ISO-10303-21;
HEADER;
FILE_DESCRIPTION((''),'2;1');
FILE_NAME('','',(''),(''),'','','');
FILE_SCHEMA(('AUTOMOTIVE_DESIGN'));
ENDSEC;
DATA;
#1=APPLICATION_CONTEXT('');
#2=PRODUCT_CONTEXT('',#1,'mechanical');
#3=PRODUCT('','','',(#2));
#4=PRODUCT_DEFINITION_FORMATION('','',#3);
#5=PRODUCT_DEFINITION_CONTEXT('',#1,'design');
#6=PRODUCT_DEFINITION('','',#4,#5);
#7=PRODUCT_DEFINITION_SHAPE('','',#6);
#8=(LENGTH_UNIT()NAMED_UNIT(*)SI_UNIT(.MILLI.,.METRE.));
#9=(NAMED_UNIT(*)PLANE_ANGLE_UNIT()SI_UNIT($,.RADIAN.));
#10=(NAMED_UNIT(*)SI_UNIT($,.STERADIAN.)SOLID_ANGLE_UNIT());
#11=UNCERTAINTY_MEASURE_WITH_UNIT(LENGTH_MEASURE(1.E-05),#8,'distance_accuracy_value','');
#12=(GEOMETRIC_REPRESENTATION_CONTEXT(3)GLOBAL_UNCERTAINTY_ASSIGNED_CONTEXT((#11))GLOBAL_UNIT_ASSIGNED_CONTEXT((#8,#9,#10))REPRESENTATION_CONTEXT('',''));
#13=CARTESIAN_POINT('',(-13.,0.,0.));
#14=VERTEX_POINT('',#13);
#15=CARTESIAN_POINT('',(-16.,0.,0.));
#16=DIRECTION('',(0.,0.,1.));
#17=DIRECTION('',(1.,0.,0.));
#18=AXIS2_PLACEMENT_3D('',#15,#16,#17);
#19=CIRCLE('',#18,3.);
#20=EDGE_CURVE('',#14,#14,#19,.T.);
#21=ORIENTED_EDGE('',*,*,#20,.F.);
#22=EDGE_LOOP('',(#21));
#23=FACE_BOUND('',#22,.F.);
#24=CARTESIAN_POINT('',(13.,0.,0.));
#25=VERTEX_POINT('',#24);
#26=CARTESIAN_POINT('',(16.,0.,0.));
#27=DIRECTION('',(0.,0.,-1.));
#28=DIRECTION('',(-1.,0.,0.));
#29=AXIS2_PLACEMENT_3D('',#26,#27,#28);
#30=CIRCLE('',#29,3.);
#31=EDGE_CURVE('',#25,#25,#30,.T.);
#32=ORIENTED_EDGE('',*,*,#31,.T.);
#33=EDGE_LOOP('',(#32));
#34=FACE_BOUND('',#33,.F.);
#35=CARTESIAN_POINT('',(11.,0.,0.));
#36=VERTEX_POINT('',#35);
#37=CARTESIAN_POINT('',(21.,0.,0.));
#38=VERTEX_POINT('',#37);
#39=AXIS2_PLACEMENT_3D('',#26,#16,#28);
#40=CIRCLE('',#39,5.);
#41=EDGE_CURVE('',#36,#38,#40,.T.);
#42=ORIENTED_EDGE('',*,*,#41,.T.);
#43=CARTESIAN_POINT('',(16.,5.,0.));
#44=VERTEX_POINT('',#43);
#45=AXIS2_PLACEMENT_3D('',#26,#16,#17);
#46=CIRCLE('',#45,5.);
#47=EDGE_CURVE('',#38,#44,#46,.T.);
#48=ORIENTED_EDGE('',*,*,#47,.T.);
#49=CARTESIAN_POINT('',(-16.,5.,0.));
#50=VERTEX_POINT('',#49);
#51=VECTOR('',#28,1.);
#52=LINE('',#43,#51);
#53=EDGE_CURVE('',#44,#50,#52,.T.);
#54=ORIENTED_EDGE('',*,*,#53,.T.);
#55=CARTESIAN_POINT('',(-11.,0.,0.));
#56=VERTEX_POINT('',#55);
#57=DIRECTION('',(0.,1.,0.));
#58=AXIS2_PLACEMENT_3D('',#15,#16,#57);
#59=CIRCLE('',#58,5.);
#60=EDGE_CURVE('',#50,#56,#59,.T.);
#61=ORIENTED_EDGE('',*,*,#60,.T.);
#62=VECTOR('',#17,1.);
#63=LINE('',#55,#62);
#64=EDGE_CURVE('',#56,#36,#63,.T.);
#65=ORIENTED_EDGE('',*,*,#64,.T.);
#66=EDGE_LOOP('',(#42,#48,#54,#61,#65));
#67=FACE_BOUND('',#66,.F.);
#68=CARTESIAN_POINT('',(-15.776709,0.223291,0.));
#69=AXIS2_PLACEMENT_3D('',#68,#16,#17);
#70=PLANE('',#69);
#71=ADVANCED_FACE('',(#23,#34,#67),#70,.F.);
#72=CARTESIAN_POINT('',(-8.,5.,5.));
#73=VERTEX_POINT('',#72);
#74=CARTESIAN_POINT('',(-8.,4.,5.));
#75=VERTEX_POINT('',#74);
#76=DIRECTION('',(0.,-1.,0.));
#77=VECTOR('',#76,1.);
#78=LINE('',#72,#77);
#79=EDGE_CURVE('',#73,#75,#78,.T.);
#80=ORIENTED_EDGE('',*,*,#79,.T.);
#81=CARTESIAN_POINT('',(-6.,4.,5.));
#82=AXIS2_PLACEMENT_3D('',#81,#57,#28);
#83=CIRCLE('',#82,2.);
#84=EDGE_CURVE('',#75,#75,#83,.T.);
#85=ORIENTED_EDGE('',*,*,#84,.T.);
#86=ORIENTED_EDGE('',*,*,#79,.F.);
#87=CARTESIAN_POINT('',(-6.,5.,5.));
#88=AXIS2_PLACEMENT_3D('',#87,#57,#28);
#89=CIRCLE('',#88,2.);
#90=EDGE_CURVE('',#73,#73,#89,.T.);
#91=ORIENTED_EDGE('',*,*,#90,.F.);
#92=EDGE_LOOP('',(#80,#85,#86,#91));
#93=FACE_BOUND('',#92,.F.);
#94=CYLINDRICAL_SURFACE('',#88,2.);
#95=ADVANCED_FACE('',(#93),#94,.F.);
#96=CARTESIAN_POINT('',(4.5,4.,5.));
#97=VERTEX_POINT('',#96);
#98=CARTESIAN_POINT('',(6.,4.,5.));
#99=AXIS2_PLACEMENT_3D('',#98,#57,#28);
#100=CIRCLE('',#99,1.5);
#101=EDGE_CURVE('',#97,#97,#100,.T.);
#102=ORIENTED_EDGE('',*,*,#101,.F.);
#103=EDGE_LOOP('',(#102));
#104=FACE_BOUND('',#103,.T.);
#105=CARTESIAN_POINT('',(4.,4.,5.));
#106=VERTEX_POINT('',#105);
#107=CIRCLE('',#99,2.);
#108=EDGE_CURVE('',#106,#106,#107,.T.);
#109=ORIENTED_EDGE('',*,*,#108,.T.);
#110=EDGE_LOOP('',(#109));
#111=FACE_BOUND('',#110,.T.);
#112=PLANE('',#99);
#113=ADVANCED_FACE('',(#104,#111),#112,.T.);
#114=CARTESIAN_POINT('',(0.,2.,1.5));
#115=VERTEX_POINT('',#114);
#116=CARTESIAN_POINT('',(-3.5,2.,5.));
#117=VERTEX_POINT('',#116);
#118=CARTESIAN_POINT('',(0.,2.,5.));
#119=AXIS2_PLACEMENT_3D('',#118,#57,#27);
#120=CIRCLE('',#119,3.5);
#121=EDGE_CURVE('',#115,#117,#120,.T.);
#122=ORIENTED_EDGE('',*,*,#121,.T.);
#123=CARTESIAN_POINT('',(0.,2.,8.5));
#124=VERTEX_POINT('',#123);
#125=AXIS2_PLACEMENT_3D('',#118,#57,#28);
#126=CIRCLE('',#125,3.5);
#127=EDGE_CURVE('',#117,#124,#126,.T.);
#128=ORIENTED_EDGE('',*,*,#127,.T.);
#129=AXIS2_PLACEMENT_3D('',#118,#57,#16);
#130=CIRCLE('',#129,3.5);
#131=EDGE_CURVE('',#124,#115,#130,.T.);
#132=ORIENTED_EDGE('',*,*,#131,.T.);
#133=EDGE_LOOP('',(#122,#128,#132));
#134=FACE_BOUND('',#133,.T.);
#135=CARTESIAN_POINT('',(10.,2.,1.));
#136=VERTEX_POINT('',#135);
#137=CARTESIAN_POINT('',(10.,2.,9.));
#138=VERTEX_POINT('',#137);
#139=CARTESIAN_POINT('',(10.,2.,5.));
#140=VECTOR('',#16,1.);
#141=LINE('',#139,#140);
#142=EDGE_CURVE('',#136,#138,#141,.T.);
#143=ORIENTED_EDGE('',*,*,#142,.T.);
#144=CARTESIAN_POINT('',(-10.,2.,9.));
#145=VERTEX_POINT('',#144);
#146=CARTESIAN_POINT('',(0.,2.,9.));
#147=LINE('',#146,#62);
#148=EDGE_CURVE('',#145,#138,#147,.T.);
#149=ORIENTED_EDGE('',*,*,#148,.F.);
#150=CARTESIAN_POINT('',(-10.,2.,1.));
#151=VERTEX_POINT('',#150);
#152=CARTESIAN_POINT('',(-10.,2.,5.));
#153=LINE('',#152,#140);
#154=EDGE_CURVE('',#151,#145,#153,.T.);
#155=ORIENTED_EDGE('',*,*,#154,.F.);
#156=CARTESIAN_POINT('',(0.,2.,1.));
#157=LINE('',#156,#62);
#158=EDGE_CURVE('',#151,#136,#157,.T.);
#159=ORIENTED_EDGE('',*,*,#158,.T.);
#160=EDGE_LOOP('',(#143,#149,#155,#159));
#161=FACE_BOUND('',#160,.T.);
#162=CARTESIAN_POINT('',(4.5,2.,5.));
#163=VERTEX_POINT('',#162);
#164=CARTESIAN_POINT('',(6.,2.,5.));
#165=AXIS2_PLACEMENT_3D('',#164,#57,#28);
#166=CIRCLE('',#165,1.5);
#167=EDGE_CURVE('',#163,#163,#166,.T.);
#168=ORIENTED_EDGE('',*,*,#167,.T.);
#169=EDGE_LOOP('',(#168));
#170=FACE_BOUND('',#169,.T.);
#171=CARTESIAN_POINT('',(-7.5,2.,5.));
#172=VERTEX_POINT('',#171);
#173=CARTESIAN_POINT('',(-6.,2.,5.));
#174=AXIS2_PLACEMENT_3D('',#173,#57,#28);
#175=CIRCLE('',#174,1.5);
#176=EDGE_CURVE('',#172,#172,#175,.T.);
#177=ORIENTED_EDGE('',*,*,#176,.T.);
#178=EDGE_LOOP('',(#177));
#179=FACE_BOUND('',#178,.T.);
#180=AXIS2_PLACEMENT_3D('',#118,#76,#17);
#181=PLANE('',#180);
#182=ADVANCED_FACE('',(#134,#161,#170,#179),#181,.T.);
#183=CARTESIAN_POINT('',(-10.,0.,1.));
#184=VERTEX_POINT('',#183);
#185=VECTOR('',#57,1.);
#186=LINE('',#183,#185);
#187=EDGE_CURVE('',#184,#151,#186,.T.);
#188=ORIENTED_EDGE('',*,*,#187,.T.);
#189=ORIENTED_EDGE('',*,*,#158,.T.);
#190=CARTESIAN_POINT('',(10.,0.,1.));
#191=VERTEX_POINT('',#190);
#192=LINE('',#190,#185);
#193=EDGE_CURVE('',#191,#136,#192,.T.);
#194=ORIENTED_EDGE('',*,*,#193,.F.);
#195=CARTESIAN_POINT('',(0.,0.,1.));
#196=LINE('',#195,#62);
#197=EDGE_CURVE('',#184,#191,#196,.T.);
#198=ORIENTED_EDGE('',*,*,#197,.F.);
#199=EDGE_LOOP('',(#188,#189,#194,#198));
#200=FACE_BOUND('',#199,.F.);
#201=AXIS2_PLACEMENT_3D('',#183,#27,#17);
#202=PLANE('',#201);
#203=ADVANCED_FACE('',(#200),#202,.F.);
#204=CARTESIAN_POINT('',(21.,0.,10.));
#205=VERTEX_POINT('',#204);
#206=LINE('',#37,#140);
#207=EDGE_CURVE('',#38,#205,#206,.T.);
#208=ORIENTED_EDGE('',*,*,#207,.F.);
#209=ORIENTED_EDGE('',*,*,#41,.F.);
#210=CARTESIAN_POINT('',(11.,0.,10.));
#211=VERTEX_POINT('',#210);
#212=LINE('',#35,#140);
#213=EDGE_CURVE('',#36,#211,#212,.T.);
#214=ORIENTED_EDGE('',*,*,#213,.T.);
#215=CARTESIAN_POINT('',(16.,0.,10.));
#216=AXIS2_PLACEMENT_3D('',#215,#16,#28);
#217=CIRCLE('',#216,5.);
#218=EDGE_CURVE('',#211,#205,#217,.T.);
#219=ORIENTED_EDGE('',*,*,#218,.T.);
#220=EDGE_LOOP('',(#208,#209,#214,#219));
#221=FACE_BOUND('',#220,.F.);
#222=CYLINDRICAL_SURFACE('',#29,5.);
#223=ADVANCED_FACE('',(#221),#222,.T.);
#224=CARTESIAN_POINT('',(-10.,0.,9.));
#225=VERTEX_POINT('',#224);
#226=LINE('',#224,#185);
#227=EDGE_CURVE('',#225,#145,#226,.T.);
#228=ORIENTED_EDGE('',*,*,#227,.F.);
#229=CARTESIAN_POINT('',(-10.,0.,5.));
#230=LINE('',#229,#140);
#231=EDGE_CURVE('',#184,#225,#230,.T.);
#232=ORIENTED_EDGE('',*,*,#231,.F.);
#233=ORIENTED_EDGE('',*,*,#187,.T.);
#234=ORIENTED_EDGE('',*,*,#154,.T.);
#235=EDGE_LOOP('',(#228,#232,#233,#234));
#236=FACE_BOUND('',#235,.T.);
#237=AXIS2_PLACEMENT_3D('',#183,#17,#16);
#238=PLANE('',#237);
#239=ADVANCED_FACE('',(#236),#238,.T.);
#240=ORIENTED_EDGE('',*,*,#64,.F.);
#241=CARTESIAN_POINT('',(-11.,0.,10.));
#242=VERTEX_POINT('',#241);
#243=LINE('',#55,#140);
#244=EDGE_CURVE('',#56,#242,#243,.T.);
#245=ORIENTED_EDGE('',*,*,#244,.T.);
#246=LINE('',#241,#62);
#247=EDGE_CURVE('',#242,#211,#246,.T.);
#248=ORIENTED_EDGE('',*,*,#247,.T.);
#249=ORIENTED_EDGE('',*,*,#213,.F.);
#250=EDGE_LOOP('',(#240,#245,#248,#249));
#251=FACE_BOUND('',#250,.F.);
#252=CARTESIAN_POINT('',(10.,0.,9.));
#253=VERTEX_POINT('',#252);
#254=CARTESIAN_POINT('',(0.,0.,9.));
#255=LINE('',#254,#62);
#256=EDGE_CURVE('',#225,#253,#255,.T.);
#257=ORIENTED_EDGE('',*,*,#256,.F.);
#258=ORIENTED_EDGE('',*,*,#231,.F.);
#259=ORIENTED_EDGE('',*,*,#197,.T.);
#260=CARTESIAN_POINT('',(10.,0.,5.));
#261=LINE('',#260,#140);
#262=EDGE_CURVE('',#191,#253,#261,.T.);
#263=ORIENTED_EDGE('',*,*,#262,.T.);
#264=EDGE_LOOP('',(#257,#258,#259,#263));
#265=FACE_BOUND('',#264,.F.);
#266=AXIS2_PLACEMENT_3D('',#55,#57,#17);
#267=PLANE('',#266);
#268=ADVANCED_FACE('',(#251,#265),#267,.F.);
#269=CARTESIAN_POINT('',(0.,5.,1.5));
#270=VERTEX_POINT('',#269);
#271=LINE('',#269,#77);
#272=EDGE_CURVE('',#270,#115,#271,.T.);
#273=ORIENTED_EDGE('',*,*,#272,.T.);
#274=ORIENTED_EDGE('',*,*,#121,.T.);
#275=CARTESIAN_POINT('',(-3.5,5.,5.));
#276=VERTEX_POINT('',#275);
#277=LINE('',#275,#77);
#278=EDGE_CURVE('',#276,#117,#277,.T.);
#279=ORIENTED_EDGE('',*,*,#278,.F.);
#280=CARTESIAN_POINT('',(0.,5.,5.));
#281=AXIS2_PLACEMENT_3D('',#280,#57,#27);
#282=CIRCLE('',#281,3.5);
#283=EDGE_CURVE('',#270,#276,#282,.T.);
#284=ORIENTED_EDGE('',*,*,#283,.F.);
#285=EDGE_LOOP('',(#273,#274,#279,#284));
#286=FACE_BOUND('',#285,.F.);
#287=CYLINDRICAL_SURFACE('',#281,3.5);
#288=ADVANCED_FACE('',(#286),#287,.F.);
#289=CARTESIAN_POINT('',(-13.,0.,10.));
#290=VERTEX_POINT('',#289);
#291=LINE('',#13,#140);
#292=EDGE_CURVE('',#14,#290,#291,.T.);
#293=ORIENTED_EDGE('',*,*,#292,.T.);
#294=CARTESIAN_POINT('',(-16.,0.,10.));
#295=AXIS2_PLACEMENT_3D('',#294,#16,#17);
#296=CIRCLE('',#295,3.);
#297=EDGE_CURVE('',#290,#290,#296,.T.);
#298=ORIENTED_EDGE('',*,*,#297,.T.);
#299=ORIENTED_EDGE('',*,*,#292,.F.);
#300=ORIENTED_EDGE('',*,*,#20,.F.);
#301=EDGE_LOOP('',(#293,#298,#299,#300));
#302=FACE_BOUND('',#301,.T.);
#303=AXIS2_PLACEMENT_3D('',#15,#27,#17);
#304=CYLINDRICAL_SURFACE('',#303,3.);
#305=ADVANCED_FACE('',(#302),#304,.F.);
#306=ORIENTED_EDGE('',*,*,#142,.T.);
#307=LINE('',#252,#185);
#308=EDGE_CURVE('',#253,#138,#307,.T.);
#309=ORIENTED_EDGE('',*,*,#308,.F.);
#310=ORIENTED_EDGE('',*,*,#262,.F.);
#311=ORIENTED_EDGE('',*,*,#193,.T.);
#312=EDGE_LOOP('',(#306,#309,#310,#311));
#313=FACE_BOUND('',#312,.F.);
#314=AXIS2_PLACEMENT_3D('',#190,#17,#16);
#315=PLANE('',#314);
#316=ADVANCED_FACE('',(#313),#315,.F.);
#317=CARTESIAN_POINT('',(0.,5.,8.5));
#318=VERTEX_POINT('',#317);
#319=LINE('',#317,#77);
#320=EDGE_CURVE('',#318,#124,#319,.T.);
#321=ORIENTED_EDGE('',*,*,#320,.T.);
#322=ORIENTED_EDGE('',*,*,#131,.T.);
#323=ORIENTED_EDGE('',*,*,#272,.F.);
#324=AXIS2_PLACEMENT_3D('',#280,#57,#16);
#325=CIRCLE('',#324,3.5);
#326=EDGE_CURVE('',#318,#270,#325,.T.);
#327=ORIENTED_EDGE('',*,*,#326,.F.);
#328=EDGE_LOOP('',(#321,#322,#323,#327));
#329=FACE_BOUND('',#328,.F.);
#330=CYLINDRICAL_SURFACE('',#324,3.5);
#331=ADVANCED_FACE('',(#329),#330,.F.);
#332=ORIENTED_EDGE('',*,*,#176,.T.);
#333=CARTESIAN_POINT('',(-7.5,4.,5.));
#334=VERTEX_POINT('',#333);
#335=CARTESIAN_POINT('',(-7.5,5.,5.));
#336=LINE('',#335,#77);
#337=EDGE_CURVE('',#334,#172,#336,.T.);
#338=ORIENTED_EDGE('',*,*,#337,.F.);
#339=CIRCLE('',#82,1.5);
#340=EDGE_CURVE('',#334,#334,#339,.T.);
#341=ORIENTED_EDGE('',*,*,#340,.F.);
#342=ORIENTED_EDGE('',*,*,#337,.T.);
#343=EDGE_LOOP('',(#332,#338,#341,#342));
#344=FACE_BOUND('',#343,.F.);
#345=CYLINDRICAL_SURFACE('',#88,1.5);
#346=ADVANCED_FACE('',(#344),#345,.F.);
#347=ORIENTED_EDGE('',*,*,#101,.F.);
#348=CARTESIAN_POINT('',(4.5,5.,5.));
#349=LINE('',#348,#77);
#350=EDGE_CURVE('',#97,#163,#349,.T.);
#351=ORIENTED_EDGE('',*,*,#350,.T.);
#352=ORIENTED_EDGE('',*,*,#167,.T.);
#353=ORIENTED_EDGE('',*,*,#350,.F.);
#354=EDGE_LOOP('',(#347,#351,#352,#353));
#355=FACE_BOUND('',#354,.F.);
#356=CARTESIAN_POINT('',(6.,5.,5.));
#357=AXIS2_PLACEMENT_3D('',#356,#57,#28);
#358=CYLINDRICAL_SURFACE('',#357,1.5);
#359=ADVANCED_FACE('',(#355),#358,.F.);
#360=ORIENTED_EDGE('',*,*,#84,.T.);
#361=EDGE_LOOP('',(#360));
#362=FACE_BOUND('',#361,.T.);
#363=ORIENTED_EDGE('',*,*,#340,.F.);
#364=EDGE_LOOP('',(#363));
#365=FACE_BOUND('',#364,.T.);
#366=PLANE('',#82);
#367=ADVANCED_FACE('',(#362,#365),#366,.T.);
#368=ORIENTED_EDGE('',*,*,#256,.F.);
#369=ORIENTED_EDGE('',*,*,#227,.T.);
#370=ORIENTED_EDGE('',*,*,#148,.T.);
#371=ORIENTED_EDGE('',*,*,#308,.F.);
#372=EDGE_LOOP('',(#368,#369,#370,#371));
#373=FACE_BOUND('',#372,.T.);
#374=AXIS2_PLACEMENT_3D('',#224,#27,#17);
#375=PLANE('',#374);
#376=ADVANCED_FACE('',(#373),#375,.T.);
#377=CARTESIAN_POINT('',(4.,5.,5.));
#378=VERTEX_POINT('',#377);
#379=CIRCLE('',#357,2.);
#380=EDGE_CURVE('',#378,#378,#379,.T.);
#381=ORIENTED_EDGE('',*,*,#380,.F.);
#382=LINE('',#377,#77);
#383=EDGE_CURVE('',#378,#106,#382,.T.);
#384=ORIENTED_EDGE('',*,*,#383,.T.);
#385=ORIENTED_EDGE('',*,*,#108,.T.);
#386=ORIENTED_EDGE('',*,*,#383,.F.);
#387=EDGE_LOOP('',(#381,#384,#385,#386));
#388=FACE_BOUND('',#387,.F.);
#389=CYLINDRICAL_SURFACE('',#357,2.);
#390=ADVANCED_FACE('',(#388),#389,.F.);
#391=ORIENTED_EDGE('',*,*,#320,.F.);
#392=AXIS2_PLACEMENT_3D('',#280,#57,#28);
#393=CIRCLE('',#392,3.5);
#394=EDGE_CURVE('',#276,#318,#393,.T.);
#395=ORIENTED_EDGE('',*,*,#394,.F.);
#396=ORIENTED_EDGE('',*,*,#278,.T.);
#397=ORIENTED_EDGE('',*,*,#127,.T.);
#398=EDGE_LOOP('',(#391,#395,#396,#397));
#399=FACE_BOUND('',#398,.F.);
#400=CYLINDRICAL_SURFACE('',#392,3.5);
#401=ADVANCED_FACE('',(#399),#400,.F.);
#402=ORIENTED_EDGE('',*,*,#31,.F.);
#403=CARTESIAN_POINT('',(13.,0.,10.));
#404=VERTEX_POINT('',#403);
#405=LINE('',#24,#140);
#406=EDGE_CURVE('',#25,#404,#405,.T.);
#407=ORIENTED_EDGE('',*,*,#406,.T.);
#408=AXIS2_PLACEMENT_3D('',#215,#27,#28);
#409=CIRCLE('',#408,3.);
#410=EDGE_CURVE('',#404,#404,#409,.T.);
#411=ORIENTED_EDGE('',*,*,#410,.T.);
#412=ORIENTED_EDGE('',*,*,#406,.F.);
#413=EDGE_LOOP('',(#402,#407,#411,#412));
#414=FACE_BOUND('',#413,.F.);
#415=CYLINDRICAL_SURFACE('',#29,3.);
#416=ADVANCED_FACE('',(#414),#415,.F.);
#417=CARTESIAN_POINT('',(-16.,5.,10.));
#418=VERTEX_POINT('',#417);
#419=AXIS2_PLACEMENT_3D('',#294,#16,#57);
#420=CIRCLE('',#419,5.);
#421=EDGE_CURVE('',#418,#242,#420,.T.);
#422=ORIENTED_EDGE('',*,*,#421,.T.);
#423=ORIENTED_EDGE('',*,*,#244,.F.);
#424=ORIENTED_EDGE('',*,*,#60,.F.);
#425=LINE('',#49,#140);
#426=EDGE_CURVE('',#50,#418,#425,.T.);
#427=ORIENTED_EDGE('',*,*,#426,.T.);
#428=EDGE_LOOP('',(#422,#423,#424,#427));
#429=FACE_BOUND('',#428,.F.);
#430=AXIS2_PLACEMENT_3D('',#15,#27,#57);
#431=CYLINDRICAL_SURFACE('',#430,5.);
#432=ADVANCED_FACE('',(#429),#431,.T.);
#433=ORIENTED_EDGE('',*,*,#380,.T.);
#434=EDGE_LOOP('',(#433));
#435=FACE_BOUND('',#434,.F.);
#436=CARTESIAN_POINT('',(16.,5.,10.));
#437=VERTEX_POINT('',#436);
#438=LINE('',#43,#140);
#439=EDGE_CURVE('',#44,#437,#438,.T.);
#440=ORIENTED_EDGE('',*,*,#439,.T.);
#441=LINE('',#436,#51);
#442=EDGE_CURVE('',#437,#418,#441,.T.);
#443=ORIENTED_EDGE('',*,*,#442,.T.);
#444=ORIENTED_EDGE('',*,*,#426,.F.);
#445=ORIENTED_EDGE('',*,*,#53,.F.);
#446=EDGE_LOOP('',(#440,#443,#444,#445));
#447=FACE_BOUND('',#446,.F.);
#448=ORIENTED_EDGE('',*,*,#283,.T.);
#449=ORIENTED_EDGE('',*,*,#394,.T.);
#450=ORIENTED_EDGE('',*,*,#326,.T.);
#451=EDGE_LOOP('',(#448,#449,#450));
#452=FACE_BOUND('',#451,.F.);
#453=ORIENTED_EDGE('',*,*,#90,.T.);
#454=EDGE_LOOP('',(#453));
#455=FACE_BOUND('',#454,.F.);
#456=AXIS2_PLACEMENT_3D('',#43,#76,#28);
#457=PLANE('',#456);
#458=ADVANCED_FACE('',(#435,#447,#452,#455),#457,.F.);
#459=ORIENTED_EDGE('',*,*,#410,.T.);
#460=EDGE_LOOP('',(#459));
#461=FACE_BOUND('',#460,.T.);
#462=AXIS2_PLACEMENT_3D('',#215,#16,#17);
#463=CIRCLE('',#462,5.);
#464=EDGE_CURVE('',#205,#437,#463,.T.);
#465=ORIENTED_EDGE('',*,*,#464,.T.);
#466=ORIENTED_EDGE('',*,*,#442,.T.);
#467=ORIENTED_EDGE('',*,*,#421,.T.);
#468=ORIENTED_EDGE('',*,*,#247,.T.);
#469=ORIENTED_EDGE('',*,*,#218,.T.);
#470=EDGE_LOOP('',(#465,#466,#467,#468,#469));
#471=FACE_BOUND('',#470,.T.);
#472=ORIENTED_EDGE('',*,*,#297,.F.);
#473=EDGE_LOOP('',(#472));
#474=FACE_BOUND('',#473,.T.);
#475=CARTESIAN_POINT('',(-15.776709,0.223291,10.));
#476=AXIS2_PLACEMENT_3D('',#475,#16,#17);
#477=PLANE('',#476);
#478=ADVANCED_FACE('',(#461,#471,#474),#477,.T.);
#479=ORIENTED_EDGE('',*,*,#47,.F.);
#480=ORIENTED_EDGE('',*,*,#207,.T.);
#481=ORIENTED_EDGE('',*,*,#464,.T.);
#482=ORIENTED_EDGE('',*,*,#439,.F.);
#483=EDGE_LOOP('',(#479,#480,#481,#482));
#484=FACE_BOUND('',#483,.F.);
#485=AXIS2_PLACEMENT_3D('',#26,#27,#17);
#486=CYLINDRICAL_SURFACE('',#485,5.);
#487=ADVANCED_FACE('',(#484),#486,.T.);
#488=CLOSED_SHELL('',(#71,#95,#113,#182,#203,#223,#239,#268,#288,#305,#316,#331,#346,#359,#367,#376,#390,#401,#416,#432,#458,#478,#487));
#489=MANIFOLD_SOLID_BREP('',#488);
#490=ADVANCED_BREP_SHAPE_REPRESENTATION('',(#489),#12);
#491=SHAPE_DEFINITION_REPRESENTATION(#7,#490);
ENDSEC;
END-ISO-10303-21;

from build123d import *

# Parameters (mm, degrees)
F0_R     = 3
F1_DEPTH = 10
F2_W     = 20
F2_H     = 8
F3_DEPTH = 2
F4_R     = 1.5
F5_DEPTH = 5
F6_R     = 2
F7_DEPTH = 1


with BuildPart() as f1:
    # F0 (on Top) → F1 (new body)
    with BuildSketch(Plane.XY):
        with BuildLine():
            ThreePointArc((-16, 5), (-19.5355339059, -3.5355339059), (-11, 0))
            ThreePointArc((-11, 0), (-12.4644660941, 3.5355339059), (-16, 5))
        make_face()
        with Locations((-16, 0)):
            Circle(F0_R, mode=Mode.SUBTRACT)
        with BuildLine():
            ThreePointArc((-16, 5), (-12.4644660941, 3.5355339059), (-11, 0))
            Line((-11, 0), (11, 0))
            ThreePointArc((11, 0), (12.4644660941, 3.5355339059), (16, 5))
            Line((16, 5), (-16, 5))
        make_face()
        with BuildLine():
            ThreePointArc((16, 5), (12.4644660941, 3.5355339059), (11, 0))
            ThreePointArc((11, 0), (16, -5), (21, 0))
            ThreePointArc((21, 0), (19.5355339059, 3.5355339059), (16, 5))
        make_face()
        with BuildLine():
            ThreePointArc((19, 0), (16, -3), (13, 0))
            ThreePointArc((13, 0), (16, 3), (19, 0))
        make_face(mode=Mode.SUBTRACT)
    extrude(amount=F1_DEPTH)

    # F2 (on face) → F3 (cut)
    with BuildSketch(Plane.XZ):
        with Locations((0, 5)):
            Rectangle(F2_W, F2_H)
    extrude(amount=-F3_DEPTH, mode=Mode.SUBTRACT)

    # F4 (on face) → F5 (cut)
    with BuildSketch(Plane(origin=(0, 5, 0), x_dir=(-1, 0, 0), z_dir=(0, 1, 0))):
        with BuildLine():
            ThreePointArc((3.5, 5), (2.4748737342, 7.4748737342), (0, 8.5))
            Line((0, 8.5), (0, 1.5))
            ThreePointArc((0, 1.5), (2.4748737342, 2.5251262658), (3.5, 5))
        make_face()
        with BuildLine():
            Line((0, 1.5), (0, 8.5))
            ThreePointArc((0, 8.5), (-3.5, 5), (0, 1.5))
        make_face()
        with Locations((6, 5)):
            Circle(F4_R)
        with Locations((-6, 5)):
            Circle(F4_R)
    extrude(amount=-F5_DEPTH, mode=Mode.SUBTRACT)

    # F6 (on face) → F7 (cut)
    with BuildSketch(Plane(origin=(0, 5, 0), x_dir=(-1, 0, 0), z_dir=(0, 1, 0))):
        with Locations((-6, 5)):
            Circle(F6_R)
        with Locations((6, 5)):
            Circle(F6_R)
    extrude(amount=-F7_DEPTH, mode=Mode.SUBTRACT)


solid = f1.part
